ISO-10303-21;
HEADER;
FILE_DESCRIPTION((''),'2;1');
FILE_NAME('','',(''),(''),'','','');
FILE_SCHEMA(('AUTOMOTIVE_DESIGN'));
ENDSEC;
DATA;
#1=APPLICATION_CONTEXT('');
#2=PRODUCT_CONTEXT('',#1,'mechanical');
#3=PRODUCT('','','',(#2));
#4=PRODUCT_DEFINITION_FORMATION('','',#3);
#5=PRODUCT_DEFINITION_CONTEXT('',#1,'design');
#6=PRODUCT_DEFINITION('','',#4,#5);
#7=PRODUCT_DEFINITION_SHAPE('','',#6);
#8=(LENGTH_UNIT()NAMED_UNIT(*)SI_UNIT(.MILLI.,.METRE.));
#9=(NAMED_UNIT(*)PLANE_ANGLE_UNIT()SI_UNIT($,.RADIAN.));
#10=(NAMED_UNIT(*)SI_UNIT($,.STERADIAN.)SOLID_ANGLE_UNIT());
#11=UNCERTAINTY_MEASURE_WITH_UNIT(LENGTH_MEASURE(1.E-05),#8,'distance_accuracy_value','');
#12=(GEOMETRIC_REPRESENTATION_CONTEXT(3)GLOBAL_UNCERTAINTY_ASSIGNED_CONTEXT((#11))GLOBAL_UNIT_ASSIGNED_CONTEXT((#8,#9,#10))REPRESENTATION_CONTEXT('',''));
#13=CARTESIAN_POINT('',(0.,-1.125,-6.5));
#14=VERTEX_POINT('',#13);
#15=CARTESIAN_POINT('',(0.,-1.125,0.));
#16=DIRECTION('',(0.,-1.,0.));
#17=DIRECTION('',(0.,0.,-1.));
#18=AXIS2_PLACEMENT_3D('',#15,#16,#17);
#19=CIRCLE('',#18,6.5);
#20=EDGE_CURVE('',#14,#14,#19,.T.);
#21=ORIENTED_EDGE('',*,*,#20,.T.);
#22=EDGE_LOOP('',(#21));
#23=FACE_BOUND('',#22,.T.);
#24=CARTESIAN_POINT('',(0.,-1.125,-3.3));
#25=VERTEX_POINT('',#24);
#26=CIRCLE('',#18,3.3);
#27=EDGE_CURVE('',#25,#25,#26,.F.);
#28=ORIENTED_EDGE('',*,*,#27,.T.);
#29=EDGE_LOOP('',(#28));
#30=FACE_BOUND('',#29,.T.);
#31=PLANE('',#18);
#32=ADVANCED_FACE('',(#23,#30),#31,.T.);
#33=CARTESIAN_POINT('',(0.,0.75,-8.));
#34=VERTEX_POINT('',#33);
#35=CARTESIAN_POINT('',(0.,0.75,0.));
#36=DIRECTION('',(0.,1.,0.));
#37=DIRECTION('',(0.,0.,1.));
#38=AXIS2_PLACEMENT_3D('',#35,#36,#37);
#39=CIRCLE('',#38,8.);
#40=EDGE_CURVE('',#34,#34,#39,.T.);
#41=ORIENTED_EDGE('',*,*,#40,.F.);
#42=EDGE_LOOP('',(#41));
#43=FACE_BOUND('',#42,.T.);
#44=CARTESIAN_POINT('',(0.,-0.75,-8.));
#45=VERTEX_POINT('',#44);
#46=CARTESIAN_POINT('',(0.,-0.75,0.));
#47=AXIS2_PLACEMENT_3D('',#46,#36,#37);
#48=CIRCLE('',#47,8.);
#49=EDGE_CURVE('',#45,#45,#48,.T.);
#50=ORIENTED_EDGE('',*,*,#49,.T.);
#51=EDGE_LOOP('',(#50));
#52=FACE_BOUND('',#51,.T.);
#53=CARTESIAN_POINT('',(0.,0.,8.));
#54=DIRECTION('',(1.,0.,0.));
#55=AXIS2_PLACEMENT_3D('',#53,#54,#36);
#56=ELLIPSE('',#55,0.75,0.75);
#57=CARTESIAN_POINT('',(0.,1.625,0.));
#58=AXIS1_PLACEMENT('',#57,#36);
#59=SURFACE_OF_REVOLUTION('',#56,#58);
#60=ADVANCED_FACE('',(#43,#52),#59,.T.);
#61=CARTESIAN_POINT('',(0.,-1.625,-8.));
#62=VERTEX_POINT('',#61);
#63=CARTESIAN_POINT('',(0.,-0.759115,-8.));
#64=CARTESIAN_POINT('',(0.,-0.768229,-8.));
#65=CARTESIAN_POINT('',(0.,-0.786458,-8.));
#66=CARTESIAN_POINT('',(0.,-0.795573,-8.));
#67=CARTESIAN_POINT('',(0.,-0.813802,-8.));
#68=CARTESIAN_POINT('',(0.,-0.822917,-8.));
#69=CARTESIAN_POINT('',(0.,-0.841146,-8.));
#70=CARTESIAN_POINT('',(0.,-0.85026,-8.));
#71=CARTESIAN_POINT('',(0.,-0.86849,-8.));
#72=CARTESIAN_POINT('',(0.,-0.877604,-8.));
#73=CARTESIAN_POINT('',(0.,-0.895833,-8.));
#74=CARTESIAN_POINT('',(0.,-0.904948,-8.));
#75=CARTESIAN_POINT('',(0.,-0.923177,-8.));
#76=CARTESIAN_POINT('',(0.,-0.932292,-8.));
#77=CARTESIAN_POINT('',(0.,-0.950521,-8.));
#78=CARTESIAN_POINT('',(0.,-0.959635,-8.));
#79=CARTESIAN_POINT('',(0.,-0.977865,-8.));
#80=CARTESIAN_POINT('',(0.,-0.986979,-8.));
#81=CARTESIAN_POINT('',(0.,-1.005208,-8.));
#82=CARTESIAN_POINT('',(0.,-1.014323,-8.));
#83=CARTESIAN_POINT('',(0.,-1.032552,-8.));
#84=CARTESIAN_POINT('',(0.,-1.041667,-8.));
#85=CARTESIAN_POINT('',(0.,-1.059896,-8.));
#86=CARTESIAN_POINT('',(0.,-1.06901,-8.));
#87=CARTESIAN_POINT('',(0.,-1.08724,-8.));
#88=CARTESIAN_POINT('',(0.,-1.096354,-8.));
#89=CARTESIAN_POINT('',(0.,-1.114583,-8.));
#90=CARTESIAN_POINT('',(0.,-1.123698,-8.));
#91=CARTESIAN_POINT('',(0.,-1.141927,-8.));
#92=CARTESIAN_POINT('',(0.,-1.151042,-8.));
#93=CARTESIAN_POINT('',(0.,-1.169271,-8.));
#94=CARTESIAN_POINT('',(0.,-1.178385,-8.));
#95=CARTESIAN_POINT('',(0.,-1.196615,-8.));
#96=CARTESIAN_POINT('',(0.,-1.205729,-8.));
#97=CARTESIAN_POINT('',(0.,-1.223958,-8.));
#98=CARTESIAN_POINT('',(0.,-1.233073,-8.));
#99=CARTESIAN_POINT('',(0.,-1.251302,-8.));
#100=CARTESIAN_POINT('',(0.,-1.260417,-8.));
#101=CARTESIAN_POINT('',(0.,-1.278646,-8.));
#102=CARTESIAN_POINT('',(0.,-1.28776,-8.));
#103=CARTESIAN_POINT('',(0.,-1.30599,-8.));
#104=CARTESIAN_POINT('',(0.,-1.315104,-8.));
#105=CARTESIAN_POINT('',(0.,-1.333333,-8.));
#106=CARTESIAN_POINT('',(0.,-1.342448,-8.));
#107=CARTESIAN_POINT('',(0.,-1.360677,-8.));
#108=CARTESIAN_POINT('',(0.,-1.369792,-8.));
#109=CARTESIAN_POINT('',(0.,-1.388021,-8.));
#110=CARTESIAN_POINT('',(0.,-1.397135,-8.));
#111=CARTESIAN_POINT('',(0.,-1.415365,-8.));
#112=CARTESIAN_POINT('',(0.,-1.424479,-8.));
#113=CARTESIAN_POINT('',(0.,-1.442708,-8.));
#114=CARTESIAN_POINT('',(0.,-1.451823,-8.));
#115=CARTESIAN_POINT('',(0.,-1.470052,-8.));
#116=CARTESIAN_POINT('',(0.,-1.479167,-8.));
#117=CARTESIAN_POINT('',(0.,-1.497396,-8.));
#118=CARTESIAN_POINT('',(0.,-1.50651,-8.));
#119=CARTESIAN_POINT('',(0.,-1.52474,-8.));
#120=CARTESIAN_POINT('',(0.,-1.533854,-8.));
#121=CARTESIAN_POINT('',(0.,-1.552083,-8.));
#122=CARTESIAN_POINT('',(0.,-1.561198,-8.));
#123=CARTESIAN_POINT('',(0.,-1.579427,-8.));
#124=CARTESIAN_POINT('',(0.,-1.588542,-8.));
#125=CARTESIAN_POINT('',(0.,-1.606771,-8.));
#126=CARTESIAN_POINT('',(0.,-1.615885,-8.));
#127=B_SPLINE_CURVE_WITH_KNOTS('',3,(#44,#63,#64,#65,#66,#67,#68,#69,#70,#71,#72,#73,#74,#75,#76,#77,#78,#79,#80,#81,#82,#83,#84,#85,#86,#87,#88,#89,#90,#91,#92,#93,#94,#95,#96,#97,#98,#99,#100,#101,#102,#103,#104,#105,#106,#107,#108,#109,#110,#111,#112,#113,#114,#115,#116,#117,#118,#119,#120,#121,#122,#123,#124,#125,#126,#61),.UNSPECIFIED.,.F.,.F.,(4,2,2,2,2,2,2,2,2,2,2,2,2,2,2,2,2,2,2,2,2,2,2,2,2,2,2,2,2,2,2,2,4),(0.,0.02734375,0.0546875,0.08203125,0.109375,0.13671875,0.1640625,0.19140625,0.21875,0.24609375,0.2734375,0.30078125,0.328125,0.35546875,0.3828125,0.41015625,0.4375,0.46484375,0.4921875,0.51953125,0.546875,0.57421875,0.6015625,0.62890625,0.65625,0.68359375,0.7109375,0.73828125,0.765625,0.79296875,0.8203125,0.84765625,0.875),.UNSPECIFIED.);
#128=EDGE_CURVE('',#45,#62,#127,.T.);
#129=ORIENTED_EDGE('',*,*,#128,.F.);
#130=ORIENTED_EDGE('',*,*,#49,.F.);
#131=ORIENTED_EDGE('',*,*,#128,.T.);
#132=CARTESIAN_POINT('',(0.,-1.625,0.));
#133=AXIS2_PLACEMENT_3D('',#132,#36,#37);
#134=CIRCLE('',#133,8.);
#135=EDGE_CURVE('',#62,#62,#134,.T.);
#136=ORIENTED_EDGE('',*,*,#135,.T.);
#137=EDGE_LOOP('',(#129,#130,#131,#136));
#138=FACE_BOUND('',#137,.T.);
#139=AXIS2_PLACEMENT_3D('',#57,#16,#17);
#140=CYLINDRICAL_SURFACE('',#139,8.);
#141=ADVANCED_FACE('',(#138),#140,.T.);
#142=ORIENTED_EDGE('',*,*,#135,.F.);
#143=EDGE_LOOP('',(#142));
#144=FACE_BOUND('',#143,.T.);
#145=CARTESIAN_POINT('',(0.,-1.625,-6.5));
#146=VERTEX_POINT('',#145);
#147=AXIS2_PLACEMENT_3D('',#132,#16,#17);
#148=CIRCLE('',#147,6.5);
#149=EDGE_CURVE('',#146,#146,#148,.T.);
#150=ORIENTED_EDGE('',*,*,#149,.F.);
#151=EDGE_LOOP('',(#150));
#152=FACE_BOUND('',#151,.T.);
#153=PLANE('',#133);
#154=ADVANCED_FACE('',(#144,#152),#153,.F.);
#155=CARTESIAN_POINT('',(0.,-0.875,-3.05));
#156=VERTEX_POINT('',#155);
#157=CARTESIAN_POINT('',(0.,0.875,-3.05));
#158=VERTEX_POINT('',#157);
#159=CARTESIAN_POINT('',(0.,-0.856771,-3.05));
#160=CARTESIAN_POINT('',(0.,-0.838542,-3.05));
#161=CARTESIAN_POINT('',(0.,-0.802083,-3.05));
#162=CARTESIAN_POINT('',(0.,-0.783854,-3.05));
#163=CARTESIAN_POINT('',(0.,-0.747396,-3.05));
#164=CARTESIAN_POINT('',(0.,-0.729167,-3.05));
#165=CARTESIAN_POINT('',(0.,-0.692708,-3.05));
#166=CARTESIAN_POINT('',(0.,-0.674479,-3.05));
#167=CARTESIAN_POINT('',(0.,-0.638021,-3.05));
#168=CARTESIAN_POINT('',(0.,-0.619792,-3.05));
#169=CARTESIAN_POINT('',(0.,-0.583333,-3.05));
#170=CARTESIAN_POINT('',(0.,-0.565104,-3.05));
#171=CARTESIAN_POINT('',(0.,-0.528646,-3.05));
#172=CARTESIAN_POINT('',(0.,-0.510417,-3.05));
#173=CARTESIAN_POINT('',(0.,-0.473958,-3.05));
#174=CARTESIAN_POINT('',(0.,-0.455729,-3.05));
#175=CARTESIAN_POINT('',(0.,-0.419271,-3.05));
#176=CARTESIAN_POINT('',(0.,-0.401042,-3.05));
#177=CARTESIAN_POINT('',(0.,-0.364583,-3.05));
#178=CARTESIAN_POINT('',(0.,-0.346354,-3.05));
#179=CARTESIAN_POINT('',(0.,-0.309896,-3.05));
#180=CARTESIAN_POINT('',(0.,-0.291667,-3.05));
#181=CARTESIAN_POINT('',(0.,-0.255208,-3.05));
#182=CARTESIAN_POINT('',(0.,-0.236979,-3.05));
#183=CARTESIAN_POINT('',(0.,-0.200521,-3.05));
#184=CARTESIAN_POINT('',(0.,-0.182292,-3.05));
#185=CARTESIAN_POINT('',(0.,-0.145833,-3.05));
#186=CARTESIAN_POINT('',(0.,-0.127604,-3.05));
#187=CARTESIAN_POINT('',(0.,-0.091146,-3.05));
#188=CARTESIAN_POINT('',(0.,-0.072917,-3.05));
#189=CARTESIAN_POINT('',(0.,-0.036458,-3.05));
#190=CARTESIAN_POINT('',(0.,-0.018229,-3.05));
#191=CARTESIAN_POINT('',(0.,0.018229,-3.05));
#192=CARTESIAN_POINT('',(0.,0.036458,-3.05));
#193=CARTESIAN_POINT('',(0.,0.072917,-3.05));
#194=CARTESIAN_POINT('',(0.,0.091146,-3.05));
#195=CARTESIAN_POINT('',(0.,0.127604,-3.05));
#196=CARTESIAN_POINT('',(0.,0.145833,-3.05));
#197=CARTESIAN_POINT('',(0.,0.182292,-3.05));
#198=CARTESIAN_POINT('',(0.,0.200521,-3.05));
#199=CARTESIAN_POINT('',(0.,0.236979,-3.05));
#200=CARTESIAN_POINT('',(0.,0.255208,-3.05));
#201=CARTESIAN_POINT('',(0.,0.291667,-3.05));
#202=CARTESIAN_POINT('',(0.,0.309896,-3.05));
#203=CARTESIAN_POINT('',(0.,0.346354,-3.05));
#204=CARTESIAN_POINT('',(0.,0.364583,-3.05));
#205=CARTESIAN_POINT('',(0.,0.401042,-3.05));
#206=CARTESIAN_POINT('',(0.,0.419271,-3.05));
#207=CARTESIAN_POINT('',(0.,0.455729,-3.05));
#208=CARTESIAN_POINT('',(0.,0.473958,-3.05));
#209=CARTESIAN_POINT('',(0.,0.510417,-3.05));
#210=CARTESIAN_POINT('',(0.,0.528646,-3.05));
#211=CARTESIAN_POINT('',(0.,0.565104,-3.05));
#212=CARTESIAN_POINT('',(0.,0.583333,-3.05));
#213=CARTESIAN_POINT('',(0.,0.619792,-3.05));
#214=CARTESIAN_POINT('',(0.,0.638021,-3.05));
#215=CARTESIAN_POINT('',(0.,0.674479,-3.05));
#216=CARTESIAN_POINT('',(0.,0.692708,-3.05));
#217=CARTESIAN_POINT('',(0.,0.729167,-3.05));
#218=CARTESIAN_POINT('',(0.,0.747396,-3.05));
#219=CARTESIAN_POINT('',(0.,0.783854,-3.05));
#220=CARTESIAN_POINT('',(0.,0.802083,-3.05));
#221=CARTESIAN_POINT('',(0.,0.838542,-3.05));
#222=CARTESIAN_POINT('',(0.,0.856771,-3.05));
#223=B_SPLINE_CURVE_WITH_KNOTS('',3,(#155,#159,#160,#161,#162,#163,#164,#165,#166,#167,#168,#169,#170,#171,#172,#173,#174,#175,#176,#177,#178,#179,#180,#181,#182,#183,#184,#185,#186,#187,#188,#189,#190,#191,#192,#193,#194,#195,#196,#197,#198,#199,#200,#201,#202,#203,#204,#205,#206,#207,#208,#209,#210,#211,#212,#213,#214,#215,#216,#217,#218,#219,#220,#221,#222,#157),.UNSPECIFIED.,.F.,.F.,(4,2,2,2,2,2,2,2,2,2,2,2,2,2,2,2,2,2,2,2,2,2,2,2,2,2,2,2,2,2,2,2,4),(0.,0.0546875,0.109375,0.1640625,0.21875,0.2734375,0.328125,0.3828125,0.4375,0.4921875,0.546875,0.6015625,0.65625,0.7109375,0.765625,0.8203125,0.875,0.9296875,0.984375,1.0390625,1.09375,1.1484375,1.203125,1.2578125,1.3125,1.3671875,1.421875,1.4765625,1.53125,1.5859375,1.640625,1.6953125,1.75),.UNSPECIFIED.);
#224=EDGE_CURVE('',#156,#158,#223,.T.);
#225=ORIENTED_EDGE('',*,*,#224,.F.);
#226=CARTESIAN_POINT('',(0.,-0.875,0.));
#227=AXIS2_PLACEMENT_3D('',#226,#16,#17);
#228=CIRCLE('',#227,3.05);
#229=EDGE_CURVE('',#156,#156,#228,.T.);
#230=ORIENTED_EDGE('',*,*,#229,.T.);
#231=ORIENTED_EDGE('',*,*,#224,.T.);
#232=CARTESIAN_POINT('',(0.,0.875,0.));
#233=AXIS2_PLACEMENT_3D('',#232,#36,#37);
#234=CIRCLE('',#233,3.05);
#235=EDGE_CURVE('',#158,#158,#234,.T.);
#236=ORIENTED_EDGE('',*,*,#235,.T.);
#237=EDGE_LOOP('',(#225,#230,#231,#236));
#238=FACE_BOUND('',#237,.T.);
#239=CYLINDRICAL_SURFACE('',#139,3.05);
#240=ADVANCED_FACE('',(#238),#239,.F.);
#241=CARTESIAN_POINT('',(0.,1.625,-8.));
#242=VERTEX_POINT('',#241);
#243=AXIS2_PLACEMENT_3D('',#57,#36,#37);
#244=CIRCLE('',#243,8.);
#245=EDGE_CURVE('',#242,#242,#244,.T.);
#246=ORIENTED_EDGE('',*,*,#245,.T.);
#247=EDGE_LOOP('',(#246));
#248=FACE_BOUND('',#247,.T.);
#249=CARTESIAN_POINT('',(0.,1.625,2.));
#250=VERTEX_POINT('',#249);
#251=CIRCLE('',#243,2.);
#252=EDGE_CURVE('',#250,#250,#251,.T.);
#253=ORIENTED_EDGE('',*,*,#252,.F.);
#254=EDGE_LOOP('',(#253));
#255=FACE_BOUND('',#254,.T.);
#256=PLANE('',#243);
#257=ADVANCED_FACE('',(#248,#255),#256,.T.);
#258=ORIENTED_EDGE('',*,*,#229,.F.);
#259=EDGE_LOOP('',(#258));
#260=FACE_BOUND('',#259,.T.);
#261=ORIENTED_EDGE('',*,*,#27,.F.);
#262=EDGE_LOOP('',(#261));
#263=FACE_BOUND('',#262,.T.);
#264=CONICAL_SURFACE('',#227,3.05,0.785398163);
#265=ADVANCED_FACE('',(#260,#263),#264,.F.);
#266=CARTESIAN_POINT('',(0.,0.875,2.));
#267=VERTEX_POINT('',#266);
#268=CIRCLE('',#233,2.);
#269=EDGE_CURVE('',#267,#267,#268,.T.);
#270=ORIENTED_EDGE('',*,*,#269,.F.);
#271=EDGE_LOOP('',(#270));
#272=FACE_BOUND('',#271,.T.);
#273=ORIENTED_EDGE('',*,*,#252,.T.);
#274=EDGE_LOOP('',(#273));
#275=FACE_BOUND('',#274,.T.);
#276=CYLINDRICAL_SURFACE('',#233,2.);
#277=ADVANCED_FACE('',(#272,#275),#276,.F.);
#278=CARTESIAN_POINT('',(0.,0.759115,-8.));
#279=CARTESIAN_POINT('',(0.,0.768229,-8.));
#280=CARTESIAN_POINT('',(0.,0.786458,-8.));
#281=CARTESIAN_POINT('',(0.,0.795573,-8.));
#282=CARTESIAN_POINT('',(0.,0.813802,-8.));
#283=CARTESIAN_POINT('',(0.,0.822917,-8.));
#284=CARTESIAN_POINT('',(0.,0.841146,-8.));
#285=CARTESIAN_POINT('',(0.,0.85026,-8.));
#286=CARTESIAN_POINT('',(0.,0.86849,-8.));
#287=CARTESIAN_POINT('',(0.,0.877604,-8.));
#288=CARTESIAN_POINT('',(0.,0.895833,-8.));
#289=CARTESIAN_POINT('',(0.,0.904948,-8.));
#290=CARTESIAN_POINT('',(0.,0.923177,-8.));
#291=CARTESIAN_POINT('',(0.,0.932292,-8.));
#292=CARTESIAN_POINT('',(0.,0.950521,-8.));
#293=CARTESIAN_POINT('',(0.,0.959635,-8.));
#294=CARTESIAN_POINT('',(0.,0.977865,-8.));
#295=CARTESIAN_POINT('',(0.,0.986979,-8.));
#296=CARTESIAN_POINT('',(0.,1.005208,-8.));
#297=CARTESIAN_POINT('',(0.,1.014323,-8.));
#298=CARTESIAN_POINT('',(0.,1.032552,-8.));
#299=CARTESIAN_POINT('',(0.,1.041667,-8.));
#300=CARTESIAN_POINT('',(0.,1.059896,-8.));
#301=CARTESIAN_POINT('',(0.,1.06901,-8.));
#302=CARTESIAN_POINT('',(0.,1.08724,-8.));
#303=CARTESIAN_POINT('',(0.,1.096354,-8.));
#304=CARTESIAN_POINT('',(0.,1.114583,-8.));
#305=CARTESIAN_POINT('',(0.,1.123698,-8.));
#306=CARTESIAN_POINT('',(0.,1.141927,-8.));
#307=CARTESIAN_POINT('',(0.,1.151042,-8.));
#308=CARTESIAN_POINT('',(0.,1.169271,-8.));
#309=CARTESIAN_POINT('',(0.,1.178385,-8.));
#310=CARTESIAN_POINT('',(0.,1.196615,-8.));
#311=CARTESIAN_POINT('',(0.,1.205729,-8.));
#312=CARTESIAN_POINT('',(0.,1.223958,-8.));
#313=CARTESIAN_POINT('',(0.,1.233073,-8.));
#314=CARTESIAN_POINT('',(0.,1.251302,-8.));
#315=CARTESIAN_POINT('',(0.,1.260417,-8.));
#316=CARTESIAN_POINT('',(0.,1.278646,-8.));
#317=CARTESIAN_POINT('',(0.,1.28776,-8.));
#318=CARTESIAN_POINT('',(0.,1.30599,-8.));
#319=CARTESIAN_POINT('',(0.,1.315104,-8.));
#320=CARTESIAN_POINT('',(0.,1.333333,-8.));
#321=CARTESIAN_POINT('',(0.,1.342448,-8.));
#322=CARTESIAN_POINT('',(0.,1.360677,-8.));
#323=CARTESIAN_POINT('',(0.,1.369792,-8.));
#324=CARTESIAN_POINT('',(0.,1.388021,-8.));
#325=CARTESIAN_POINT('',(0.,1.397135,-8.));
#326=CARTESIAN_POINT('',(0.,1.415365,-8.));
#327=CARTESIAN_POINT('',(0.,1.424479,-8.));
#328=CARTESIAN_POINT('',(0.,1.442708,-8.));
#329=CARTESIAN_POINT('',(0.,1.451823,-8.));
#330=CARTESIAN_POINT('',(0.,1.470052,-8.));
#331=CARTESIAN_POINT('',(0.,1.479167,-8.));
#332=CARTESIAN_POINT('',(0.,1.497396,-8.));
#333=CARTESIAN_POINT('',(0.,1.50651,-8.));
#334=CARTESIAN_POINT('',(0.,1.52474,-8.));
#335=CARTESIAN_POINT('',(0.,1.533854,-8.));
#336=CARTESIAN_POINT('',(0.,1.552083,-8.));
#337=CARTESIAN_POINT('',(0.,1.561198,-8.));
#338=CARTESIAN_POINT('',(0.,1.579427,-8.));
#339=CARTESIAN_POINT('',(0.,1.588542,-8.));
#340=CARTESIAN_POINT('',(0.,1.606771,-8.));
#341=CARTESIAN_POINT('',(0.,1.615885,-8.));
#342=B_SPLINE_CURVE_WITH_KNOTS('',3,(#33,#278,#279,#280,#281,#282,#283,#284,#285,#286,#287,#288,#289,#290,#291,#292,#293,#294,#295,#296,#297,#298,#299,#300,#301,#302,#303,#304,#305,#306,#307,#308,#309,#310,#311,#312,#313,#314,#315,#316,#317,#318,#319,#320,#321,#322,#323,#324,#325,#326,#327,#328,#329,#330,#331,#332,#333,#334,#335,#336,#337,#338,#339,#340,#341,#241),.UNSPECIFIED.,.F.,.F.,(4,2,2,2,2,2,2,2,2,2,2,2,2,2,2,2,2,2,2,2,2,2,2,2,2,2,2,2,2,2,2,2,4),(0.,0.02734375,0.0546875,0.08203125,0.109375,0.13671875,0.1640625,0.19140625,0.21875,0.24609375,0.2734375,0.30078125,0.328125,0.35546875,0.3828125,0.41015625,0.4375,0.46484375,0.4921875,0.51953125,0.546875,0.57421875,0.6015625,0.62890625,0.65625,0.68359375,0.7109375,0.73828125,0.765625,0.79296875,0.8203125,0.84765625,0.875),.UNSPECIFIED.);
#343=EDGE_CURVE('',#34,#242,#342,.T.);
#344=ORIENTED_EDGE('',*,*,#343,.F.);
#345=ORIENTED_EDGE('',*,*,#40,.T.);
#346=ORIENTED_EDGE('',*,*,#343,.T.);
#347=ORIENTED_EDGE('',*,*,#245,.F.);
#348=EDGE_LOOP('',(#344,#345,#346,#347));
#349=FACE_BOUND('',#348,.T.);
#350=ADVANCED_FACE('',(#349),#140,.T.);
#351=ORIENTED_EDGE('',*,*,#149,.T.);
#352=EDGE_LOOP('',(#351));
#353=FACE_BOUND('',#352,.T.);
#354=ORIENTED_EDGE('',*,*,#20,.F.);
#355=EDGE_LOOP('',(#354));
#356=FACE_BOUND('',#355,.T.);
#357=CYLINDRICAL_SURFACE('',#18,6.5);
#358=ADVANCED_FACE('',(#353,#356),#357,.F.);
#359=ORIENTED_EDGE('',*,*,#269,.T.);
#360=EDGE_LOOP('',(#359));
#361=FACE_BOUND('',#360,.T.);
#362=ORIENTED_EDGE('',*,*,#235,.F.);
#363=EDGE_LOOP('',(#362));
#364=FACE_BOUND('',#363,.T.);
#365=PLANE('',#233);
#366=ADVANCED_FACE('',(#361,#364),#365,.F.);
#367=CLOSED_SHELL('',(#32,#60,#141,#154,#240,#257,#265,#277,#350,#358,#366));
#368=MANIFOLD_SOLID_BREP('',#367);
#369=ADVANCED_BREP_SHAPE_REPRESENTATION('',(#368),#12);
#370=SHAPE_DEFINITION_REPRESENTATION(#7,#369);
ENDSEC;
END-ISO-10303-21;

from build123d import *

# Parameters (mm, degrees)
SKETCH1_R           = 8
SKETCH1_R_2         = 3.05
BOSS_EXTRUDE1_DEPTH = 1.625
SKETCH3_R           = 3.5
SKETCH3_R_2         = 2
BOSS_EXTRUDE2_DEPTH = 0.75
SKETCH4_R           = 6.5
SKETCH4_R_2         = 3
CUT_EXTRUDE1_DEPTH  = 0.5
CHAMFER1_SIZE       = 0.25


with BuildPart() as part:
    # Sketch1 → Boss-Extrude1 (new, symmetric)
    with BuildSketch(Plane(origin=(0, 0, 0), x_dir=(1, 0, 0), z_dir=(0, 1, 0))):
        with Locations(Location((0, 0, 0), (0, 0, 90))):
            Circle(SKETCH1_R)
        with Locations(Location((0, 0, 0), (0, 0, 90))):
            Circle(SKETCH1_R_2, mode=Mode.SUBTRACT)
    extrude(amount=BOSS_EXTRUDE1_DEPTH, both=True)

    # Sketch2 → Cut-Revolve1 (revolve, cut)
    with BuildSketch(Plane(origin=(0, 0, 0), x_dir=(0, 0, -1), z_dir=(1, 0, 0)), mode=Mode.PRIVATE) as cut_revolve1_sk:
        with BuildLine():
            Line((-8, 0.75), (-8, -0.75))
            add(Edge.make_bspline(
                [(-8, -0.75), (-7.25, -0.75), (-7.25, 0), (-7.25, 0.75), (-8, 0.75)],
                knots=[1.570796327, 1.570796327, 1.570796327, 3.141592654, 3.141592654, 4.71238898, 4.71238898, 4.71238898], degree=2, weights=[1, 0.707106781, 1, 0.707106781, 1]))
        make_face()
    revolve(cut_revolve1_sk.sketch.rotate(Axis((0, 1.625, 0), (0, -1, 0)), 180), axis=Axis((0, 1.625, 0), (0, -1, 0)), mode=Mode.SUBTRACT)

    # Sketch3 → Boss-Extrude2 (add)
    with BuildSketch(Plane(origin=(0, 1.625, 0), x_dir=(1, 0, 0), z_dir=(0, 1, 0))):
        Circle(SKETCH3_R)
        with Locations(Location((0, 0, 0), (0, 0, 270))):
            Circle(SKETCH3_R_2, mode=Mode.SUBTRACT)
    extrude(amount=-BOSS_EXTRUDE2_DEPTH)

    # Sketch4 → Cut-Extrude1 (cut)
    with BuildSketch(Plane.XZ.offset(1.625)):
        with Locations(Location((0, 0, 0), (0, 0, 270))):
            Circle(SKETCH4_R)
        Circle(SKETCH4_R_2, mode=Mode.SUBTRACT)
    extrude(amount=-CUT_EXTRUDE1_DEPTH, mode=Mode.SUBTRACT)

    # Chamfer1
    chamfer1_edges = [part.edges().sort_by_distance(p)[0] for p in [
        (0, -1.125, 3.05),
    ]]
    chamfer(chamfer1_edges, length=CHAMFER1_SIZE)


solid = part.part
